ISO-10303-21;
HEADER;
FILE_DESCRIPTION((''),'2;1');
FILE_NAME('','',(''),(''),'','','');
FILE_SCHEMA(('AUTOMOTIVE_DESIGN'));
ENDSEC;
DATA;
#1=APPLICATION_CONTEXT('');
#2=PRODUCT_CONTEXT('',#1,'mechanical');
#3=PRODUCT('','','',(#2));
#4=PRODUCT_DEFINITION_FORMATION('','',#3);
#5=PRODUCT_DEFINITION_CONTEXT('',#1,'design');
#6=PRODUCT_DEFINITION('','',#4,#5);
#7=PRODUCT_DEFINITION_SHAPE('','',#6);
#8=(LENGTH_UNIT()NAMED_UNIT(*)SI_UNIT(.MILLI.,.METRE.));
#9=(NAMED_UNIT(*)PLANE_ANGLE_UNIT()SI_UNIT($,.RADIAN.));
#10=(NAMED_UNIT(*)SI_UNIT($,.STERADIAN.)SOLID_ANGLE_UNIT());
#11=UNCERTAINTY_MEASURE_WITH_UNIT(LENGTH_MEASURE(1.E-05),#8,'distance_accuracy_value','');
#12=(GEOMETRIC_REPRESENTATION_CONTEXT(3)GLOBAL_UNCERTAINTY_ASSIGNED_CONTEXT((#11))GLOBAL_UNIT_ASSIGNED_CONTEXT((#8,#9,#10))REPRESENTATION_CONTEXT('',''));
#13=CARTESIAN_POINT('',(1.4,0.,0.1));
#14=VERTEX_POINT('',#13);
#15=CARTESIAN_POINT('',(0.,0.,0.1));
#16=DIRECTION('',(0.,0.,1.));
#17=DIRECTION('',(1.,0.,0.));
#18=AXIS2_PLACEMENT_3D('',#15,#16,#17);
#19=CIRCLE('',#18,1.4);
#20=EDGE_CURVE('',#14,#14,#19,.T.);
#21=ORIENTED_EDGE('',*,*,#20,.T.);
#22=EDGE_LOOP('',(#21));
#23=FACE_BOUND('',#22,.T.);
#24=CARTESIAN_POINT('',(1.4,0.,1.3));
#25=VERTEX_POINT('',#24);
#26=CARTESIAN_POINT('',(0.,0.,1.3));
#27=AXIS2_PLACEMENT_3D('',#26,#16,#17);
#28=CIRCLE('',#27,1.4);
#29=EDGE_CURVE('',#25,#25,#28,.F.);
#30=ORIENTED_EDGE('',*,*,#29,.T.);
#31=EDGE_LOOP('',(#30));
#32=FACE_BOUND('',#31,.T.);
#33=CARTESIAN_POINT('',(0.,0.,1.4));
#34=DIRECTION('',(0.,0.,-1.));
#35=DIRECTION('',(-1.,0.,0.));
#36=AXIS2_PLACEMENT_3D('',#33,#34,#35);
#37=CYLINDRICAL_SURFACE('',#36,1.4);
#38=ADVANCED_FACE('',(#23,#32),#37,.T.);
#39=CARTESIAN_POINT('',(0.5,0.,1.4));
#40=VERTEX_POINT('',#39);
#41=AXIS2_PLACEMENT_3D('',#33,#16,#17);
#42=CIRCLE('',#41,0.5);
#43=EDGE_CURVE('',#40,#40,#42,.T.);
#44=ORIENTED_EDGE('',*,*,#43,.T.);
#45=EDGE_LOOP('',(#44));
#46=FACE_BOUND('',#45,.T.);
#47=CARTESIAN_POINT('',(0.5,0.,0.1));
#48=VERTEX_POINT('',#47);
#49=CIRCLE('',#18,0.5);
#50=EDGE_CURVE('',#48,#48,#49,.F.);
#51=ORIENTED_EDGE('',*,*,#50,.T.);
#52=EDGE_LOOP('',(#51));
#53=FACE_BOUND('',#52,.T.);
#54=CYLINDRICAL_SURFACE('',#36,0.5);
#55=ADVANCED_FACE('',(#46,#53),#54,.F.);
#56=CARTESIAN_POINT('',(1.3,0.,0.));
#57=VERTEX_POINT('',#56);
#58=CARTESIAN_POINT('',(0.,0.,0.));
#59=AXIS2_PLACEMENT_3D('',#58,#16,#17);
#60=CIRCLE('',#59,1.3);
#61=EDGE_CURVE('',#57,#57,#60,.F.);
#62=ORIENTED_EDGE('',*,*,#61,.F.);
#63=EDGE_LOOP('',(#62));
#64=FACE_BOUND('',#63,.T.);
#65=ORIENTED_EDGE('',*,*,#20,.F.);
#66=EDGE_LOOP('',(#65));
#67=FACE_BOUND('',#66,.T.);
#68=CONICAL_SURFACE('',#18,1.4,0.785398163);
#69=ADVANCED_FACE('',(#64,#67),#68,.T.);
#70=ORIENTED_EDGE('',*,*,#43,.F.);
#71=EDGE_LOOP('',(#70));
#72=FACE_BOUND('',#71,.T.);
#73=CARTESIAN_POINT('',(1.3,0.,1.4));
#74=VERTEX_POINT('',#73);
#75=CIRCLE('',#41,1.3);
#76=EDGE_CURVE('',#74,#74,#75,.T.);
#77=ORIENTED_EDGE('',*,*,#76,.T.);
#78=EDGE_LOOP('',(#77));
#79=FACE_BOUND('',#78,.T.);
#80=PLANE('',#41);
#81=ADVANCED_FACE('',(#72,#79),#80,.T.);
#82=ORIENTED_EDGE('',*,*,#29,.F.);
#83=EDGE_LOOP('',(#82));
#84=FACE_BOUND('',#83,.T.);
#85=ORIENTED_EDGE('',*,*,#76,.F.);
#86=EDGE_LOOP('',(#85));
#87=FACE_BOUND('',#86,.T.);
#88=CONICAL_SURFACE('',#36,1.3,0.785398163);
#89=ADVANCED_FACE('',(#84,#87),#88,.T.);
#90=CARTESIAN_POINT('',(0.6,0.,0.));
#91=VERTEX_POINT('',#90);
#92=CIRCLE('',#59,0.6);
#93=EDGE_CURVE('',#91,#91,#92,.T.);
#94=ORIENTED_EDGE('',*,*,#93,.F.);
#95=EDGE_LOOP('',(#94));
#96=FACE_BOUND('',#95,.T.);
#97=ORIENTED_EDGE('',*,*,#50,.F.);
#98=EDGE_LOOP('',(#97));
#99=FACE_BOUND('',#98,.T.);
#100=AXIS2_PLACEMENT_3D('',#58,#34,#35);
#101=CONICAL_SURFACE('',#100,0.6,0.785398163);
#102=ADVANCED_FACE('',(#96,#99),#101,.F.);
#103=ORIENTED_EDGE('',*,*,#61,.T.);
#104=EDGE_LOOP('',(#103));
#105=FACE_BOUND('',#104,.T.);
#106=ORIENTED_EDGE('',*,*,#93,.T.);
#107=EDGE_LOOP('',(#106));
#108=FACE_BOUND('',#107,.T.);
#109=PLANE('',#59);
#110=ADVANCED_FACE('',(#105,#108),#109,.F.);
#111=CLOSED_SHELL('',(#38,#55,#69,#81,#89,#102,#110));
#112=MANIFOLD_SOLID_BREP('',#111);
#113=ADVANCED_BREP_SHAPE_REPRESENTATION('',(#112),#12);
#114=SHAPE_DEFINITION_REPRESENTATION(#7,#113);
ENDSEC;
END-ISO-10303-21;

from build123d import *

# Parameters (mm, degrees)
SKETCH1_R           = 1.4
SKETCH1_R_2         = 0.5
BOSS_EXTRUDE1_DEPTH = 1.4
CHAMFER1_SIZE       = 0.1


with BuildPart() as part:
    # Sketch1 → Boss-Extrude1 (new body)
    with BuildSketch(Plane.XY):
        Circle(SKETCH1_R)
        Circle(SKETCH1_R_2, mode=Mode.SUBTRACT)
    extrude(amount=BOSS_EXTRUDE1_DEPTH)

    # Chamfer1
    chamfer1_edges = [part.edges().sort_by_distance(p)[0] for p in [
        (-1.4, 0, 0),
        (-1.4, 0, 1.4),
        (-0.5, 0, 0),
    ]]
    chamfer(chamfer1_edges, length=CHAMFER1_SIZE)


solid = part.part
